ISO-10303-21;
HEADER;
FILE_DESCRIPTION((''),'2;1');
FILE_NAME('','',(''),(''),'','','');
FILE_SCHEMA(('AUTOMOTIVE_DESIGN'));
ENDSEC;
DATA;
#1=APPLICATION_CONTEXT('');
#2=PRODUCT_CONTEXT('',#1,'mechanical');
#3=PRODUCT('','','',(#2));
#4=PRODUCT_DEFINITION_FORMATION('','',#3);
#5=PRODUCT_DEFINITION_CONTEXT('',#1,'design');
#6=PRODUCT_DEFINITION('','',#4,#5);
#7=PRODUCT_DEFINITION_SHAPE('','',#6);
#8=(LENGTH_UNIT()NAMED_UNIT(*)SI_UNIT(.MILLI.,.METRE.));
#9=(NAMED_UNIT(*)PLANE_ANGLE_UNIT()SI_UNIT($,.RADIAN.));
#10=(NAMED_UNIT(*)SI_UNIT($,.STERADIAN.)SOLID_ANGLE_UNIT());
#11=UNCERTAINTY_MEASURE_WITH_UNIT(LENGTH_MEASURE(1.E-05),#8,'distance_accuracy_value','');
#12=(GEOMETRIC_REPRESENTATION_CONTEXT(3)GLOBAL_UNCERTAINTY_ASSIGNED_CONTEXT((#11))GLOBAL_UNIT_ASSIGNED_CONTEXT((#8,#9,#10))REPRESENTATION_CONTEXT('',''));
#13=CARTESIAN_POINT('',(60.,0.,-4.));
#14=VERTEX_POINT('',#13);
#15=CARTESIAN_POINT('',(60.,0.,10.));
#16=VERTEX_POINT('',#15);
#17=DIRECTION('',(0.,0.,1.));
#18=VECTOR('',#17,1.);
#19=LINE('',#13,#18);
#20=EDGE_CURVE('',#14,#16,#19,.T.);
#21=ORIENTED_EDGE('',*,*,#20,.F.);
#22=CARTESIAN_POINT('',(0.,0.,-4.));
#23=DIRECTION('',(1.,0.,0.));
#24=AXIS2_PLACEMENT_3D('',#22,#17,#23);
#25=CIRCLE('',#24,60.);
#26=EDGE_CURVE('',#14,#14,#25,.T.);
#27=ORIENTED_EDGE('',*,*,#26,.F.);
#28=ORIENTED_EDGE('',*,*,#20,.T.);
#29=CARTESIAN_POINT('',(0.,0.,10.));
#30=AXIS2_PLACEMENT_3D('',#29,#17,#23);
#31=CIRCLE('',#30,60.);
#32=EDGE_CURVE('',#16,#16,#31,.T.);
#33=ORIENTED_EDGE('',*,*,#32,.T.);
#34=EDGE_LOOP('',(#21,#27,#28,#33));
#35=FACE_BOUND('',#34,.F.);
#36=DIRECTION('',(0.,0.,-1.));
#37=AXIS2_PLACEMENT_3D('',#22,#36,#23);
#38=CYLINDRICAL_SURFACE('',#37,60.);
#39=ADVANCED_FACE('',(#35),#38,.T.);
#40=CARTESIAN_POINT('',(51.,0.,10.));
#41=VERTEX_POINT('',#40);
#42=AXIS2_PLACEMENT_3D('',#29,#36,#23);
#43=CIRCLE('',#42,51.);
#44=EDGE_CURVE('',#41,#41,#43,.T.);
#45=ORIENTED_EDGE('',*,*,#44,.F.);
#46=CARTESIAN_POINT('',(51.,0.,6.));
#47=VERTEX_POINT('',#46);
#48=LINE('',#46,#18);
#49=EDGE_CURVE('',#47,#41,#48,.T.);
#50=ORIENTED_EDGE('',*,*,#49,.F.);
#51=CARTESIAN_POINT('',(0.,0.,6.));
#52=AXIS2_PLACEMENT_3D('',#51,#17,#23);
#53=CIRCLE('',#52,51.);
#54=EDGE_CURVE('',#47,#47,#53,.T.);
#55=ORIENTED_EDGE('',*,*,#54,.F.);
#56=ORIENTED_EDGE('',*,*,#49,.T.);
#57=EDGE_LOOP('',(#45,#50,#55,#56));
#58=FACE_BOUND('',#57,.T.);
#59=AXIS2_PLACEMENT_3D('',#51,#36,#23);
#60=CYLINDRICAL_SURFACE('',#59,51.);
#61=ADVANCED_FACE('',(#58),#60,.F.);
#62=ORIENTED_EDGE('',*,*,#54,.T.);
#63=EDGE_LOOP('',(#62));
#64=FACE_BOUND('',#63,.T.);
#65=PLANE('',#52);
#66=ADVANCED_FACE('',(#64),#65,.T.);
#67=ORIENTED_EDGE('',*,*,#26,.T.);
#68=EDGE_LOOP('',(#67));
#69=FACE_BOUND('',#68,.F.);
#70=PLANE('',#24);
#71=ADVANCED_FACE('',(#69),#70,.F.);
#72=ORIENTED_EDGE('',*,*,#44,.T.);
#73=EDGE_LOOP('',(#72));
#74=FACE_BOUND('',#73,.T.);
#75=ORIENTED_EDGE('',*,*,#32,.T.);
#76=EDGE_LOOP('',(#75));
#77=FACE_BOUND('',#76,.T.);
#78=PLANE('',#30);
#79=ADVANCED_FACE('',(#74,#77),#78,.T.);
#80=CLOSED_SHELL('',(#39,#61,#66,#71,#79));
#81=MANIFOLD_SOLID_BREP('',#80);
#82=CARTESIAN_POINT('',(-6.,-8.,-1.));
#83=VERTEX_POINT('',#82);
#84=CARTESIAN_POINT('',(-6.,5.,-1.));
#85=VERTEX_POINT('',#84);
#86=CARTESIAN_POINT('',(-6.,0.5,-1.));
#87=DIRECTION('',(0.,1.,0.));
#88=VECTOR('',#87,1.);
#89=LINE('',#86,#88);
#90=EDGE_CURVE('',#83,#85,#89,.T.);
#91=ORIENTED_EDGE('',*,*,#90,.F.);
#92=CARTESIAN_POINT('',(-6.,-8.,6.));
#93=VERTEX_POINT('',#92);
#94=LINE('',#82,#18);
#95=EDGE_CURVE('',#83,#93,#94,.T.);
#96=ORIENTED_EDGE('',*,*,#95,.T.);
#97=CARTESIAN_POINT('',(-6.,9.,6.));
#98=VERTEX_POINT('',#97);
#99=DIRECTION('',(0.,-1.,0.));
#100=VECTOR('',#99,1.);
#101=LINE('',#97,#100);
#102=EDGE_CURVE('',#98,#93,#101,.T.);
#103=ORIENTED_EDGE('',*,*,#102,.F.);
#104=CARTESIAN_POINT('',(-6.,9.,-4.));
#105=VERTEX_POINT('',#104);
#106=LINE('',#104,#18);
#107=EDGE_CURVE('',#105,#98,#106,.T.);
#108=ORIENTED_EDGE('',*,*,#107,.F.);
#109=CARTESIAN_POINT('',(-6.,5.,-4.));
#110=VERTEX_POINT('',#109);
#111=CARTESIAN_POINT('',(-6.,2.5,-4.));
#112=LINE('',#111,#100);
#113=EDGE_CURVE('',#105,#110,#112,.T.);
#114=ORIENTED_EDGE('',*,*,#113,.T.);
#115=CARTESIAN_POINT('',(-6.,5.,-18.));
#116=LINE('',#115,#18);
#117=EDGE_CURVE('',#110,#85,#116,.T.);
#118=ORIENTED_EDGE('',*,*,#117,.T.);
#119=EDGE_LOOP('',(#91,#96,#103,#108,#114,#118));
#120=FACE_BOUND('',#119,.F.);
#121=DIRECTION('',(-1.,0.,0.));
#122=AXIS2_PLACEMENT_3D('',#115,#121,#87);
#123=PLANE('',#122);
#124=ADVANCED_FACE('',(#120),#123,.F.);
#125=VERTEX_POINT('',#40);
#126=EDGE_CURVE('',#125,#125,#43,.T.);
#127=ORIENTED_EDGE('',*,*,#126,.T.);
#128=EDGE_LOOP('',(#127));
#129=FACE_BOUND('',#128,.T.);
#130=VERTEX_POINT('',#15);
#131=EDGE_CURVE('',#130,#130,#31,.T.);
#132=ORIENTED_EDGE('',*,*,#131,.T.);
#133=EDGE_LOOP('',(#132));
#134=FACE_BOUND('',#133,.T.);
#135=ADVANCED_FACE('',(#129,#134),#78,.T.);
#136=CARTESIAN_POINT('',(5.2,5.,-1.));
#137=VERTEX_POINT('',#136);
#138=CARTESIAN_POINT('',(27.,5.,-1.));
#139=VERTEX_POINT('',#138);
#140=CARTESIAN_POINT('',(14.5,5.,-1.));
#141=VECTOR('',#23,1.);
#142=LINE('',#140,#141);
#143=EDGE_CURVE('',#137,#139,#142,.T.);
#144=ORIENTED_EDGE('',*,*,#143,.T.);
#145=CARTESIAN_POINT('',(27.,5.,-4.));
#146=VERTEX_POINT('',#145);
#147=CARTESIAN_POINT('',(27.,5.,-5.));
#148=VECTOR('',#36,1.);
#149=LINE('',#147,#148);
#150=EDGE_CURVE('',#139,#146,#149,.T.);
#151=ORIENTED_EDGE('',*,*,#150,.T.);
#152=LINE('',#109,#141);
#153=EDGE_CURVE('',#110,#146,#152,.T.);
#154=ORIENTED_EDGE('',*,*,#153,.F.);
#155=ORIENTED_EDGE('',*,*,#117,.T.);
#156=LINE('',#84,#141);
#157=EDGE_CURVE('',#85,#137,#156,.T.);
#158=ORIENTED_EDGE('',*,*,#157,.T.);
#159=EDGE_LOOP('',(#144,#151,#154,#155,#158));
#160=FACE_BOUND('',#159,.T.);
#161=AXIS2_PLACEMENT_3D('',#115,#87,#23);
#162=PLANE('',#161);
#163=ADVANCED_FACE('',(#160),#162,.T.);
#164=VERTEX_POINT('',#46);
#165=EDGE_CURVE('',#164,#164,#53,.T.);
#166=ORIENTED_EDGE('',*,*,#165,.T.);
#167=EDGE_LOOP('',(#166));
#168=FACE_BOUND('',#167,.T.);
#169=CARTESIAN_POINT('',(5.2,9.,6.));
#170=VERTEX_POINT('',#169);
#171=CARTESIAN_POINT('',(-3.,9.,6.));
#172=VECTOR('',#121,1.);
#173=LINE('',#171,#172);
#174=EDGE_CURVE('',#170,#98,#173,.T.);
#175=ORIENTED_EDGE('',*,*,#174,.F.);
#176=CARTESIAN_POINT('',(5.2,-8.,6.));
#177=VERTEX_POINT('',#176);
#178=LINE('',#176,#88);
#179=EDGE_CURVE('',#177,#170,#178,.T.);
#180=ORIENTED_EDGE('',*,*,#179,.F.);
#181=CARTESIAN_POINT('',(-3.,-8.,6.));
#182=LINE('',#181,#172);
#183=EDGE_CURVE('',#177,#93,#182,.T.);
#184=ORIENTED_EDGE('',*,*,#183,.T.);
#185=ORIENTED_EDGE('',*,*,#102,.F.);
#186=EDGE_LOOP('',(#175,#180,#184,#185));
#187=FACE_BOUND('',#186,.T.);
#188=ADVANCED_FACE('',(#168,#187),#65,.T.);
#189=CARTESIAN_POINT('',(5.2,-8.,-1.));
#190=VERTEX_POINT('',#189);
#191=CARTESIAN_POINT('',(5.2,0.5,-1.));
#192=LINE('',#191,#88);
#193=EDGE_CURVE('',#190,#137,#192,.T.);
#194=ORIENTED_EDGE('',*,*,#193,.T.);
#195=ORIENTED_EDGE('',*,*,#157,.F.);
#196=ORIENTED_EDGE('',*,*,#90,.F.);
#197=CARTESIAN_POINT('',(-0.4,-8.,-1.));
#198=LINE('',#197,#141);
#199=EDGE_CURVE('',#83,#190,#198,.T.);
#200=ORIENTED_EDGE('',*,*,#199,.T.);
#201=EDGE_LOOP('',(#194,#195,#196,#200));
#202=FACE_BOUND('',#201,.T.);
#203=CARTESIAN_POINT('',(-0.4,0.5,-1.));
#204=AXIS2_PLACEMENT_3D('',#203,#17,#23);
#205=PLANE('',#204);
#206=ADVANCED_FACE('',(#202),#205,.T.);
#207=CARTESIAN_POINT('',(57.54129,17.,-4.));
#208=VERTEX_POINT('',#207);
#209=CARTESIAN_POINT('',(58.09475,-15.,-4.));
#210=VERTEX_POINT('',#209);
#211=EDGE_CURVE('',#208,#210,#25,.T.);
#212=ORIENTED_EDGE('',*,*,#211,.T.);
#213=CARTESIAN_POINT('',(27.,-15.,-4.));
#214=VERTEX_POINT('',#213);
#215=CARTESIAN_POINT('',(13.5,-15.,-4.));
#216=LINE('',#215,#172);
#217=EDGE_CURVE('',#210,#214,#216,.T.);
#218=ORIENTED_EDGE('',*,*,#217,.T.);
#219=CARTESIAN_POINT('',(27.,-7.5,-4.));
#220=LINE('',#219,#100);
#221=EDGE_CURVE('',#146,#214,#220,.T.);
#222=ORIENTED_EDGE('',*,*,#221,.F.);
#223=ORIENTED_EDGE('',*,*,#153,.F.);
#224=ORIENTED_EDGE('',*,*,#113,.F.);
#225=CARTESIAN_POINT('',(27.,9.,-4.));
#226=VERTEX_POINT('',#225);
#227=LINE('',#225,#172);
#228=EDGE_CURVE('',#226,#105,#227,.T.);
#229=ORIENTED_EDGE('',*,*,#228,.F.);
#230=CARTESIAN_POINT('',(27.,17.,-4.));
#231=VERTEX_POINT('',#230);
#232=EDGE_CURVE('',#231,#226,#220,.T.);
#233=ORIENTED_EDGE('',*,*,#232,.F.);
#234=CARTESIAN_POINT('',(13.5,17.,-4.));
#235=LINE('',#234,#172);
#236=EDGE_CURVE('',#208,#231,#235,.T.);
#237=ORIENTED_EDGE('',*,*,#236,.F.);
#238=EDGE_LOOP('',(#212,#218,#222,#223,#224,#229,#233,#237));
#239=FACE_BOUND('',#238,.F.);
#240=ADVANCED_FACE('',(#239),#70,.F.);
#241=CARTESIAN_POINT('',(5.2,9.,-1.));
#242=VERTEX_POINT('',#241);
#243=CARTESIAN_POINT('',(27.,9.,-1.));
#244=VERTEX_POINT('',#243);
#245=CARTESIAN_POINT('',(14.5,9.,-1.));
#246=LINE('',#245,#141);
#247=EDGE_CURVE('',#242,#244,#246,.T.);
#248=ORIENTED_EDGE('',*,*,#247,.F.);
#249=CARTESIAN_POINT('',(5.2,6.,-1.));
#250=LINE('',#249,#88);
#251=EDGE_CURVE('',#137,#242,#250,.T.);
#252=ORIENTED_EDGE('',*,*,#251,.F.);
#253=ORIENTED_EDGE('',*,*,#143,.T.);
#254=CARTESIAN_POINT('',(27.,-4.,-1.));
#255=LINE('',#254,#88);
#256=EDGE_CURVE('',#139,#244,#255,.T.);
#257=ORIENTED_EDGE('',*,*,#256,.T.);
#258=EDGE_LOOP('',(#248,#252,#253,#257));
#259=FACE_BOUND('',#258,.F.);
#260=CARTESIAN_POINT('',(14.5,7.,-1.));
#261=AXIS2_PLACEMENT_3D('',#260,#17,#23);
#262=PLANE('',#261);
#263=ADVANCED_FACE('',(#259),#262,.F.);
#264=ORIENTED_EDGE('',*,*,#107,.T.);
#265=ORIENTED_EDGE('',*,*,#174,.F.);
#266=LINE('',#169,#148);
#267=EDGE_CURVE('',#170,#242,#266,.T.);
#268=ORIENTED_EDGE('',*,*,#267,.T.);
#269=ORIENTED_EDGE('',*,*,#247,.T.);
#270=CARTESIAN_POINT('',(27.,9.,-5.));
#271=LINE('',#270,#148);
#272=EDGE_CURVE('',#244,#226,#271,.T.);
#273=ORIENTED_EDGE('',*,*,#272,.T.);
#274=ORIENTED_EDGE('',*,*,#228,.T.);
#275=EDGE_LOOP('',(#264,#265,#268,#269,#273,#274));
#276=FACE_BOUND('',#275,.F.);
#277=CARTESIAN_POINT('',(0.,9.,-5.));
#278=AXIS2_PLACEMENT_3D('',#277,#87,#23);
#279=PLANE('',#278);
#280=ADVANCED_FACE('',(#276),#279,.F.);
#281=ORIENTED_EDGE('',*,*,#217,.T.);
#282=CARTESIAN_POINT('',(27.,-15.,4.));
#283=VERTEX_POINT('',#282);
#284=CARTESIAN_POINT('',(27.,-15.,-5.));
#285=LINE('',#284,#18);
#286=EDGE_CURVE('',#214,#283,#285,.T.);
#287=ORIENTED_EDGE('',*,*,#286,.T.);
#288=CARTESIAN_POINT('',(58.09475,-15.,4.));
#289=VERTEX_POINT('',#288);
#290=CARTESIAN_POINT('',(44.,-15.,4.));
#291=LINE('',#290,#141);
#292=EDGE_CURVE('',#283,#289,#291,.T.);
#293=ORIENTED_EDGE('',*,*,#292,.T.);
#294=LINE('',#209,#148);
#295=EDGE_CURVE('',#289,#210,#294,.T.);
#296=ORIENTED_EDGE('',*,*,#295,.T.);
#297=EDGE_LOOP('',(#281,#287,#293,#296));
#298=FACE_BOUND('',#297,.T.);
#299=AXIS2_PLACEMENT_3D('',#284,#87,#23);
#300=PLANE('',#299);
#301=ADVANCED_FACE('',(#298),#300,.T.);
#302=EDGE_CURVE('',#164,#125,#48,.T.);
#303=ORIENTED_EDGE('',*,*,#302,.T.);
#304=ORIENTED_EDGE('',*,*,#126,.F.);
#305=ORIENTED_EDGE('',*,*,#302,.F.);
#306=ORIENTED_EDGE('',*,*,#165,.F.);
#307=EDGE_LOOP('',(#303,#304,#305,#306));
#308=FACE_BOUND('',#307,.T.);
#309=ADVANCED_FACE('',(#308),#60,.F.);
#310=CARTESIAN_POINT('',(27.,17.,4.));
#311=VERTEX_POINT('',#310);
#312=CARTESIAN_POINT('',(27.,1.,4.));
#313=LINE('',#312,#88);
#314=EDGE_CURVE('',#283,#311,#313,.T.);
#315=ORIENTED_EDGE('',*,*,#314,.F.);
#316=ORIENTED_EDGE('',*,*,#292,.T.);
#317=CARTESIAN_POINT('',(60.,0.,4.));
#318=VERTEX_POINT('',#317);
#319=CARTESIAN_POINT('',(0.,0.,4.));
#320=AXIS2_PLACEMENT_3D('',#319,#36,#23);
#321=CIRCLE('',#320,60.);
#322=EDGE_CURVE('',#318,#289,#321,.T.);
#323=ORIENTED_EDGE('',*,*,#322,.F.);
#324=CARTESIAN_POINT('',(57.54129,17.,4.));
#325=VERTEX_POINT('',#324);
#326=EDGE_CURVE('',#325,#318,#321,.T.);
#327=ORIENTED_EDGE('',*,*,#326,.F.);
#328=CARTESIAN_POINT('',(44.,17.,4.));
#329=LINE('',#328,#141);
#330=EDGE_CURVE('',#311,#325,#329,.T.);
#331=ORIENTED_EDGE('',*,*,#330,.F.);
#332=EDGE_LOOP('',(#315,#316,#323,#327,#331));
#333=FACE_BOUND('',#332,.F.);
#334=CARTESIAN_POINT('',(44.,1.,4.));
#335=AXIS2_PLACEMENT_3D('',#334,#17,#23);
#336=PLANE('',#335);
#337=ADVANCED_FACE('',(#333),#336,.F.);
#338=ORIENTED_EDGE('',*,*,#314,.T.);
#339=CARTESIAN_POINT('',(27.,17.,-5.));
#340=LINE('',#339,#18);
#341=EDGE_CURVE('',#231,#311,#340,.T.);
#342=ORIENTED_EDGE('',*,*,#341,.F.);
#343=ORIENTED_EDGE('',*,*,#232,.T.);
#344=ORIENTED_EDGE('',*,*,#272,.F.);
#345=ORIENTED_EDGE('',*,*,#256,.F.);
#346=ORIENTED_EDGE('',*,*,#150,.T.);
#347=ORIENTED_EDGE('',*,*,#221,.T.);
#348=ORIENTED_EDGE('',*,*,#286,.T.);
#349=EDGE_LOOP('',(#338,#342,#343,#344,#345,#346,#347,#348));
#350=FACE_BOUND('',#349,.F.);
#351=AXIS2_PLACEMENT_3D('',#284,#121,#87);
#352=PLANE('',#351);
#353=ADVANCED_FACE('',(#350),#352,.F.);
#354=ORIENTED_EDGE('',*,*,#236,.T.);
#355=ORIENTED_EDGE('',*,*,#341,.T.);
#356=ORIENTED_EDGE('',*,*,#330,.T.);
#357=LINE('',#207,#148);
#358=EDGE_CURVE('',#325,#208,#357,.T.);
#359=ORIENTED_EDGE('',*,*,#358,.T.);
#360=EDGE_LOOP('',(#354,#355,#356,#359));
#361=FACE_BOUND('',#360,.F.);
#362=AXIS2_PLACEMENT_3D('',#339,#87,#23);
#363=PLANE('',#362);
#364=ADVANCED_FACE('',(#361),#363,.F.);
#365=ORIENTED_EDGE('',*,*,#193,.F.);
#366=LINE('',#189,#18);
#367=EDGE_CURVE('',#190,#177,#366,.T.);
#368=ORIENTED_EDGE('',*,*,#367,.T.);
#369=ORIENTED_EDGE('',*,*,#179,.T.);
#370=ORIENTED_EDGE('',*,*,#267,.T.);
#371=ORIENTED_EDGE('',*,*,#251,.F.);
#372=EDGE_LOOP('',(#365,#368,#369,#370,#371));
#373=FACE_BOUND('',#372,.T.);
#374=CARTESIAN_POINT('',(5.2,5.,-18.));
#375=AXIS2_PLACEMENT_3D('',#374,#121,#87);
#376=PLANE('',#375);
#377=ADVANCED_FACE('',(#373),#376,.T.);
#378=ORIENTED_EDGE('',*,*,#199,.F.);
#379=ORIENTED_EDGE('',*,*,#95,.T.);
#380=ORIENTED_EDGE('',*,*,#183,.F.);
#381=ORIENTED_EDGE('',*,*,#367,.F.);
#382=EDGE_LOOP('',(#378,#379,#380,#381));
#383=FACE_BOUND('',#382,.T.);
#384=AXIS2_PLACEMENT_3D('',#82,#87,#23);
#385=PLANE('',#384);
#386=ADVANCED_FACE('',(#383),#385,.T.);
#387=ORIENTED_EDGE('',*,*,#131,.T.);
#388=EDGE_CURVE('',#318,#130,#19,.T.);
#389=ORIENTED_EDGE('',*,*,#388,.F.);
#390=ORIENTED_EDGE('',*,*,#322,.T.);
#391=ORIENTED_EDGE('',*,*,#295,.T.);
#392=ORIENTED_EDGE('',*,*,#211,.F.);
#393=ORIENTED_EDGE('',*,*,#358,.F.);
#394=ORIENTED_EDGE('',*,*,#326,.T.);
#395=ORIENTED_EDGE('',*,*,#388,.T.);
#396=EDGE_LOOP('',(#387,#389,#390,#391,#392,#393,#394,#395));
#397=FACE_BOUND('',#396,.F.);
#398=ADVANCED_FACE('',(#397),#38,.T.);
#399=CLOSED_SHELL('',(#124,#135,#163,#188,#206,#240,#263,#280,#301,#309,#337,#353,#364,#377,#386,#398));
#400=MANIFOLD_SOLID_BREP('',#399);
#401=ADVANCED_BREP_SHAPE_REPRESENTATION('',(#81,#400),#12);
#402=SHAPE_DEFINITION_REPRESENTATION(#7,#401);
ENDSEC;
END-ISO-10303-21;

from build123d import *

# Parameters (mm, degrees)
BOX003_W          = 29
BOX003_H          = 4
BOX003_DEPTH      = 4
BOX002_W          = 34
BOX002_H          = 32
BOX002_DEPTH      = 9
BOX001_W          = 11.2
BOX001_H          = 4
BOX001_DEPTH      = 27
BOX_W             = 11.2
BOX_H             = 17
BOX_DEPTH         = 8
CYLINDER_R        = 51
CYLINDER_DEPTH    = 5
CYLINDER001_R     = 60
CYLINDER001_DEPTH = 14


with BuildPart() as cube003:
    # Box003 → Box003 (new body)
    with BuildSketch(Plane(origin=(0, 5, -5), x_dir=(1, 0, 0), z_dir=(0, 0, 1))):
        with Locations((14.5, 2)):
            Rectangle(BOX003_W, BOX003_H)
    extrude(amount=BOX003_DEPTH)


with BuildPart() as cube002:
    # Box002 → Box002 (new body)
    with BuildSketch(Plane(origin=(27, -15, -5), x_dir=(1, 0, 0), z_dir=(0, 0, 1))):
        with Locations((17, 16)):
            Rectangle(BOX002_W, BOX002_H)
    extrude(amount=BOX002_DEPTH)


with BuildPart() as cube001:
    # Box001 → Box001 (new body)
    with BuildSketch(Plane(origin=(-6, 5, -18), x_dir=(1, 0, 0), z_dir=(0, 0, 1))):
        with Locations((5.6, 2)):
            Rectangle(BOX001_W, BOX001_H)
    extrude(amount=BOX001_DEPTH)


with BuildPart() as cube:
    # Box → Box (new body)
    with BuildSketch(Plane(origin=(-6, -8, -1), x_dir=(1, 0, 0), z_dir=(0, 0, 1))):
        with Locations((5.6, 8.5)):
            Rectangle(BOX_W, BOX_H)
    extrude(amount=BOX_DEPTH)


with BuildPart() as cylinder:
    # Cylinder → Cylinder (new body)
    with BuildSketch(Plane.XY.offset(6)):
        Circle(CYLINDER_R)
    extrude(amount=CYLINDER_DEPTH)


with BuildPart() as cylinder001:
    # Cylinder001 → Cylinder001 (new body)
    with BuildSketch(Plane.XY.offset(-4)):
        Circle(CYLINDER001_R)
    extrude(amount=CYLINDER001_DEPTH)


with BuildPart() as cut005:
    # Cut001 base: copy of Cylinder001
    add(cylinder001.part)

    # Cut001: cut Cylinder
    add(cylinder.part, mode=Mode.SUBTRACT)

    # Cut002: cut Cube
    add(cube.part, mode=Mode.SUBTRACT)

    # Cut003: cut Cube001
    add(cube001.part, mode=Mode.SUBTRACT)

    # Cut004: cut Cube002
    add(cube002.part, mode=Mode.SUBTRACT)

    # Cut005: cut Cube003
    add(cube003.part, mode=Mode.SUBTRACT)


with BuildPart() as cut:
    # Cut base: copy of Cylinder001
    add(cylinder001.part)

    # Cut: cut Cylinder
    add(cylinder.part, mode=Mode.SUBTRACT)


solid = Compound([cut005.part, cut.part])
